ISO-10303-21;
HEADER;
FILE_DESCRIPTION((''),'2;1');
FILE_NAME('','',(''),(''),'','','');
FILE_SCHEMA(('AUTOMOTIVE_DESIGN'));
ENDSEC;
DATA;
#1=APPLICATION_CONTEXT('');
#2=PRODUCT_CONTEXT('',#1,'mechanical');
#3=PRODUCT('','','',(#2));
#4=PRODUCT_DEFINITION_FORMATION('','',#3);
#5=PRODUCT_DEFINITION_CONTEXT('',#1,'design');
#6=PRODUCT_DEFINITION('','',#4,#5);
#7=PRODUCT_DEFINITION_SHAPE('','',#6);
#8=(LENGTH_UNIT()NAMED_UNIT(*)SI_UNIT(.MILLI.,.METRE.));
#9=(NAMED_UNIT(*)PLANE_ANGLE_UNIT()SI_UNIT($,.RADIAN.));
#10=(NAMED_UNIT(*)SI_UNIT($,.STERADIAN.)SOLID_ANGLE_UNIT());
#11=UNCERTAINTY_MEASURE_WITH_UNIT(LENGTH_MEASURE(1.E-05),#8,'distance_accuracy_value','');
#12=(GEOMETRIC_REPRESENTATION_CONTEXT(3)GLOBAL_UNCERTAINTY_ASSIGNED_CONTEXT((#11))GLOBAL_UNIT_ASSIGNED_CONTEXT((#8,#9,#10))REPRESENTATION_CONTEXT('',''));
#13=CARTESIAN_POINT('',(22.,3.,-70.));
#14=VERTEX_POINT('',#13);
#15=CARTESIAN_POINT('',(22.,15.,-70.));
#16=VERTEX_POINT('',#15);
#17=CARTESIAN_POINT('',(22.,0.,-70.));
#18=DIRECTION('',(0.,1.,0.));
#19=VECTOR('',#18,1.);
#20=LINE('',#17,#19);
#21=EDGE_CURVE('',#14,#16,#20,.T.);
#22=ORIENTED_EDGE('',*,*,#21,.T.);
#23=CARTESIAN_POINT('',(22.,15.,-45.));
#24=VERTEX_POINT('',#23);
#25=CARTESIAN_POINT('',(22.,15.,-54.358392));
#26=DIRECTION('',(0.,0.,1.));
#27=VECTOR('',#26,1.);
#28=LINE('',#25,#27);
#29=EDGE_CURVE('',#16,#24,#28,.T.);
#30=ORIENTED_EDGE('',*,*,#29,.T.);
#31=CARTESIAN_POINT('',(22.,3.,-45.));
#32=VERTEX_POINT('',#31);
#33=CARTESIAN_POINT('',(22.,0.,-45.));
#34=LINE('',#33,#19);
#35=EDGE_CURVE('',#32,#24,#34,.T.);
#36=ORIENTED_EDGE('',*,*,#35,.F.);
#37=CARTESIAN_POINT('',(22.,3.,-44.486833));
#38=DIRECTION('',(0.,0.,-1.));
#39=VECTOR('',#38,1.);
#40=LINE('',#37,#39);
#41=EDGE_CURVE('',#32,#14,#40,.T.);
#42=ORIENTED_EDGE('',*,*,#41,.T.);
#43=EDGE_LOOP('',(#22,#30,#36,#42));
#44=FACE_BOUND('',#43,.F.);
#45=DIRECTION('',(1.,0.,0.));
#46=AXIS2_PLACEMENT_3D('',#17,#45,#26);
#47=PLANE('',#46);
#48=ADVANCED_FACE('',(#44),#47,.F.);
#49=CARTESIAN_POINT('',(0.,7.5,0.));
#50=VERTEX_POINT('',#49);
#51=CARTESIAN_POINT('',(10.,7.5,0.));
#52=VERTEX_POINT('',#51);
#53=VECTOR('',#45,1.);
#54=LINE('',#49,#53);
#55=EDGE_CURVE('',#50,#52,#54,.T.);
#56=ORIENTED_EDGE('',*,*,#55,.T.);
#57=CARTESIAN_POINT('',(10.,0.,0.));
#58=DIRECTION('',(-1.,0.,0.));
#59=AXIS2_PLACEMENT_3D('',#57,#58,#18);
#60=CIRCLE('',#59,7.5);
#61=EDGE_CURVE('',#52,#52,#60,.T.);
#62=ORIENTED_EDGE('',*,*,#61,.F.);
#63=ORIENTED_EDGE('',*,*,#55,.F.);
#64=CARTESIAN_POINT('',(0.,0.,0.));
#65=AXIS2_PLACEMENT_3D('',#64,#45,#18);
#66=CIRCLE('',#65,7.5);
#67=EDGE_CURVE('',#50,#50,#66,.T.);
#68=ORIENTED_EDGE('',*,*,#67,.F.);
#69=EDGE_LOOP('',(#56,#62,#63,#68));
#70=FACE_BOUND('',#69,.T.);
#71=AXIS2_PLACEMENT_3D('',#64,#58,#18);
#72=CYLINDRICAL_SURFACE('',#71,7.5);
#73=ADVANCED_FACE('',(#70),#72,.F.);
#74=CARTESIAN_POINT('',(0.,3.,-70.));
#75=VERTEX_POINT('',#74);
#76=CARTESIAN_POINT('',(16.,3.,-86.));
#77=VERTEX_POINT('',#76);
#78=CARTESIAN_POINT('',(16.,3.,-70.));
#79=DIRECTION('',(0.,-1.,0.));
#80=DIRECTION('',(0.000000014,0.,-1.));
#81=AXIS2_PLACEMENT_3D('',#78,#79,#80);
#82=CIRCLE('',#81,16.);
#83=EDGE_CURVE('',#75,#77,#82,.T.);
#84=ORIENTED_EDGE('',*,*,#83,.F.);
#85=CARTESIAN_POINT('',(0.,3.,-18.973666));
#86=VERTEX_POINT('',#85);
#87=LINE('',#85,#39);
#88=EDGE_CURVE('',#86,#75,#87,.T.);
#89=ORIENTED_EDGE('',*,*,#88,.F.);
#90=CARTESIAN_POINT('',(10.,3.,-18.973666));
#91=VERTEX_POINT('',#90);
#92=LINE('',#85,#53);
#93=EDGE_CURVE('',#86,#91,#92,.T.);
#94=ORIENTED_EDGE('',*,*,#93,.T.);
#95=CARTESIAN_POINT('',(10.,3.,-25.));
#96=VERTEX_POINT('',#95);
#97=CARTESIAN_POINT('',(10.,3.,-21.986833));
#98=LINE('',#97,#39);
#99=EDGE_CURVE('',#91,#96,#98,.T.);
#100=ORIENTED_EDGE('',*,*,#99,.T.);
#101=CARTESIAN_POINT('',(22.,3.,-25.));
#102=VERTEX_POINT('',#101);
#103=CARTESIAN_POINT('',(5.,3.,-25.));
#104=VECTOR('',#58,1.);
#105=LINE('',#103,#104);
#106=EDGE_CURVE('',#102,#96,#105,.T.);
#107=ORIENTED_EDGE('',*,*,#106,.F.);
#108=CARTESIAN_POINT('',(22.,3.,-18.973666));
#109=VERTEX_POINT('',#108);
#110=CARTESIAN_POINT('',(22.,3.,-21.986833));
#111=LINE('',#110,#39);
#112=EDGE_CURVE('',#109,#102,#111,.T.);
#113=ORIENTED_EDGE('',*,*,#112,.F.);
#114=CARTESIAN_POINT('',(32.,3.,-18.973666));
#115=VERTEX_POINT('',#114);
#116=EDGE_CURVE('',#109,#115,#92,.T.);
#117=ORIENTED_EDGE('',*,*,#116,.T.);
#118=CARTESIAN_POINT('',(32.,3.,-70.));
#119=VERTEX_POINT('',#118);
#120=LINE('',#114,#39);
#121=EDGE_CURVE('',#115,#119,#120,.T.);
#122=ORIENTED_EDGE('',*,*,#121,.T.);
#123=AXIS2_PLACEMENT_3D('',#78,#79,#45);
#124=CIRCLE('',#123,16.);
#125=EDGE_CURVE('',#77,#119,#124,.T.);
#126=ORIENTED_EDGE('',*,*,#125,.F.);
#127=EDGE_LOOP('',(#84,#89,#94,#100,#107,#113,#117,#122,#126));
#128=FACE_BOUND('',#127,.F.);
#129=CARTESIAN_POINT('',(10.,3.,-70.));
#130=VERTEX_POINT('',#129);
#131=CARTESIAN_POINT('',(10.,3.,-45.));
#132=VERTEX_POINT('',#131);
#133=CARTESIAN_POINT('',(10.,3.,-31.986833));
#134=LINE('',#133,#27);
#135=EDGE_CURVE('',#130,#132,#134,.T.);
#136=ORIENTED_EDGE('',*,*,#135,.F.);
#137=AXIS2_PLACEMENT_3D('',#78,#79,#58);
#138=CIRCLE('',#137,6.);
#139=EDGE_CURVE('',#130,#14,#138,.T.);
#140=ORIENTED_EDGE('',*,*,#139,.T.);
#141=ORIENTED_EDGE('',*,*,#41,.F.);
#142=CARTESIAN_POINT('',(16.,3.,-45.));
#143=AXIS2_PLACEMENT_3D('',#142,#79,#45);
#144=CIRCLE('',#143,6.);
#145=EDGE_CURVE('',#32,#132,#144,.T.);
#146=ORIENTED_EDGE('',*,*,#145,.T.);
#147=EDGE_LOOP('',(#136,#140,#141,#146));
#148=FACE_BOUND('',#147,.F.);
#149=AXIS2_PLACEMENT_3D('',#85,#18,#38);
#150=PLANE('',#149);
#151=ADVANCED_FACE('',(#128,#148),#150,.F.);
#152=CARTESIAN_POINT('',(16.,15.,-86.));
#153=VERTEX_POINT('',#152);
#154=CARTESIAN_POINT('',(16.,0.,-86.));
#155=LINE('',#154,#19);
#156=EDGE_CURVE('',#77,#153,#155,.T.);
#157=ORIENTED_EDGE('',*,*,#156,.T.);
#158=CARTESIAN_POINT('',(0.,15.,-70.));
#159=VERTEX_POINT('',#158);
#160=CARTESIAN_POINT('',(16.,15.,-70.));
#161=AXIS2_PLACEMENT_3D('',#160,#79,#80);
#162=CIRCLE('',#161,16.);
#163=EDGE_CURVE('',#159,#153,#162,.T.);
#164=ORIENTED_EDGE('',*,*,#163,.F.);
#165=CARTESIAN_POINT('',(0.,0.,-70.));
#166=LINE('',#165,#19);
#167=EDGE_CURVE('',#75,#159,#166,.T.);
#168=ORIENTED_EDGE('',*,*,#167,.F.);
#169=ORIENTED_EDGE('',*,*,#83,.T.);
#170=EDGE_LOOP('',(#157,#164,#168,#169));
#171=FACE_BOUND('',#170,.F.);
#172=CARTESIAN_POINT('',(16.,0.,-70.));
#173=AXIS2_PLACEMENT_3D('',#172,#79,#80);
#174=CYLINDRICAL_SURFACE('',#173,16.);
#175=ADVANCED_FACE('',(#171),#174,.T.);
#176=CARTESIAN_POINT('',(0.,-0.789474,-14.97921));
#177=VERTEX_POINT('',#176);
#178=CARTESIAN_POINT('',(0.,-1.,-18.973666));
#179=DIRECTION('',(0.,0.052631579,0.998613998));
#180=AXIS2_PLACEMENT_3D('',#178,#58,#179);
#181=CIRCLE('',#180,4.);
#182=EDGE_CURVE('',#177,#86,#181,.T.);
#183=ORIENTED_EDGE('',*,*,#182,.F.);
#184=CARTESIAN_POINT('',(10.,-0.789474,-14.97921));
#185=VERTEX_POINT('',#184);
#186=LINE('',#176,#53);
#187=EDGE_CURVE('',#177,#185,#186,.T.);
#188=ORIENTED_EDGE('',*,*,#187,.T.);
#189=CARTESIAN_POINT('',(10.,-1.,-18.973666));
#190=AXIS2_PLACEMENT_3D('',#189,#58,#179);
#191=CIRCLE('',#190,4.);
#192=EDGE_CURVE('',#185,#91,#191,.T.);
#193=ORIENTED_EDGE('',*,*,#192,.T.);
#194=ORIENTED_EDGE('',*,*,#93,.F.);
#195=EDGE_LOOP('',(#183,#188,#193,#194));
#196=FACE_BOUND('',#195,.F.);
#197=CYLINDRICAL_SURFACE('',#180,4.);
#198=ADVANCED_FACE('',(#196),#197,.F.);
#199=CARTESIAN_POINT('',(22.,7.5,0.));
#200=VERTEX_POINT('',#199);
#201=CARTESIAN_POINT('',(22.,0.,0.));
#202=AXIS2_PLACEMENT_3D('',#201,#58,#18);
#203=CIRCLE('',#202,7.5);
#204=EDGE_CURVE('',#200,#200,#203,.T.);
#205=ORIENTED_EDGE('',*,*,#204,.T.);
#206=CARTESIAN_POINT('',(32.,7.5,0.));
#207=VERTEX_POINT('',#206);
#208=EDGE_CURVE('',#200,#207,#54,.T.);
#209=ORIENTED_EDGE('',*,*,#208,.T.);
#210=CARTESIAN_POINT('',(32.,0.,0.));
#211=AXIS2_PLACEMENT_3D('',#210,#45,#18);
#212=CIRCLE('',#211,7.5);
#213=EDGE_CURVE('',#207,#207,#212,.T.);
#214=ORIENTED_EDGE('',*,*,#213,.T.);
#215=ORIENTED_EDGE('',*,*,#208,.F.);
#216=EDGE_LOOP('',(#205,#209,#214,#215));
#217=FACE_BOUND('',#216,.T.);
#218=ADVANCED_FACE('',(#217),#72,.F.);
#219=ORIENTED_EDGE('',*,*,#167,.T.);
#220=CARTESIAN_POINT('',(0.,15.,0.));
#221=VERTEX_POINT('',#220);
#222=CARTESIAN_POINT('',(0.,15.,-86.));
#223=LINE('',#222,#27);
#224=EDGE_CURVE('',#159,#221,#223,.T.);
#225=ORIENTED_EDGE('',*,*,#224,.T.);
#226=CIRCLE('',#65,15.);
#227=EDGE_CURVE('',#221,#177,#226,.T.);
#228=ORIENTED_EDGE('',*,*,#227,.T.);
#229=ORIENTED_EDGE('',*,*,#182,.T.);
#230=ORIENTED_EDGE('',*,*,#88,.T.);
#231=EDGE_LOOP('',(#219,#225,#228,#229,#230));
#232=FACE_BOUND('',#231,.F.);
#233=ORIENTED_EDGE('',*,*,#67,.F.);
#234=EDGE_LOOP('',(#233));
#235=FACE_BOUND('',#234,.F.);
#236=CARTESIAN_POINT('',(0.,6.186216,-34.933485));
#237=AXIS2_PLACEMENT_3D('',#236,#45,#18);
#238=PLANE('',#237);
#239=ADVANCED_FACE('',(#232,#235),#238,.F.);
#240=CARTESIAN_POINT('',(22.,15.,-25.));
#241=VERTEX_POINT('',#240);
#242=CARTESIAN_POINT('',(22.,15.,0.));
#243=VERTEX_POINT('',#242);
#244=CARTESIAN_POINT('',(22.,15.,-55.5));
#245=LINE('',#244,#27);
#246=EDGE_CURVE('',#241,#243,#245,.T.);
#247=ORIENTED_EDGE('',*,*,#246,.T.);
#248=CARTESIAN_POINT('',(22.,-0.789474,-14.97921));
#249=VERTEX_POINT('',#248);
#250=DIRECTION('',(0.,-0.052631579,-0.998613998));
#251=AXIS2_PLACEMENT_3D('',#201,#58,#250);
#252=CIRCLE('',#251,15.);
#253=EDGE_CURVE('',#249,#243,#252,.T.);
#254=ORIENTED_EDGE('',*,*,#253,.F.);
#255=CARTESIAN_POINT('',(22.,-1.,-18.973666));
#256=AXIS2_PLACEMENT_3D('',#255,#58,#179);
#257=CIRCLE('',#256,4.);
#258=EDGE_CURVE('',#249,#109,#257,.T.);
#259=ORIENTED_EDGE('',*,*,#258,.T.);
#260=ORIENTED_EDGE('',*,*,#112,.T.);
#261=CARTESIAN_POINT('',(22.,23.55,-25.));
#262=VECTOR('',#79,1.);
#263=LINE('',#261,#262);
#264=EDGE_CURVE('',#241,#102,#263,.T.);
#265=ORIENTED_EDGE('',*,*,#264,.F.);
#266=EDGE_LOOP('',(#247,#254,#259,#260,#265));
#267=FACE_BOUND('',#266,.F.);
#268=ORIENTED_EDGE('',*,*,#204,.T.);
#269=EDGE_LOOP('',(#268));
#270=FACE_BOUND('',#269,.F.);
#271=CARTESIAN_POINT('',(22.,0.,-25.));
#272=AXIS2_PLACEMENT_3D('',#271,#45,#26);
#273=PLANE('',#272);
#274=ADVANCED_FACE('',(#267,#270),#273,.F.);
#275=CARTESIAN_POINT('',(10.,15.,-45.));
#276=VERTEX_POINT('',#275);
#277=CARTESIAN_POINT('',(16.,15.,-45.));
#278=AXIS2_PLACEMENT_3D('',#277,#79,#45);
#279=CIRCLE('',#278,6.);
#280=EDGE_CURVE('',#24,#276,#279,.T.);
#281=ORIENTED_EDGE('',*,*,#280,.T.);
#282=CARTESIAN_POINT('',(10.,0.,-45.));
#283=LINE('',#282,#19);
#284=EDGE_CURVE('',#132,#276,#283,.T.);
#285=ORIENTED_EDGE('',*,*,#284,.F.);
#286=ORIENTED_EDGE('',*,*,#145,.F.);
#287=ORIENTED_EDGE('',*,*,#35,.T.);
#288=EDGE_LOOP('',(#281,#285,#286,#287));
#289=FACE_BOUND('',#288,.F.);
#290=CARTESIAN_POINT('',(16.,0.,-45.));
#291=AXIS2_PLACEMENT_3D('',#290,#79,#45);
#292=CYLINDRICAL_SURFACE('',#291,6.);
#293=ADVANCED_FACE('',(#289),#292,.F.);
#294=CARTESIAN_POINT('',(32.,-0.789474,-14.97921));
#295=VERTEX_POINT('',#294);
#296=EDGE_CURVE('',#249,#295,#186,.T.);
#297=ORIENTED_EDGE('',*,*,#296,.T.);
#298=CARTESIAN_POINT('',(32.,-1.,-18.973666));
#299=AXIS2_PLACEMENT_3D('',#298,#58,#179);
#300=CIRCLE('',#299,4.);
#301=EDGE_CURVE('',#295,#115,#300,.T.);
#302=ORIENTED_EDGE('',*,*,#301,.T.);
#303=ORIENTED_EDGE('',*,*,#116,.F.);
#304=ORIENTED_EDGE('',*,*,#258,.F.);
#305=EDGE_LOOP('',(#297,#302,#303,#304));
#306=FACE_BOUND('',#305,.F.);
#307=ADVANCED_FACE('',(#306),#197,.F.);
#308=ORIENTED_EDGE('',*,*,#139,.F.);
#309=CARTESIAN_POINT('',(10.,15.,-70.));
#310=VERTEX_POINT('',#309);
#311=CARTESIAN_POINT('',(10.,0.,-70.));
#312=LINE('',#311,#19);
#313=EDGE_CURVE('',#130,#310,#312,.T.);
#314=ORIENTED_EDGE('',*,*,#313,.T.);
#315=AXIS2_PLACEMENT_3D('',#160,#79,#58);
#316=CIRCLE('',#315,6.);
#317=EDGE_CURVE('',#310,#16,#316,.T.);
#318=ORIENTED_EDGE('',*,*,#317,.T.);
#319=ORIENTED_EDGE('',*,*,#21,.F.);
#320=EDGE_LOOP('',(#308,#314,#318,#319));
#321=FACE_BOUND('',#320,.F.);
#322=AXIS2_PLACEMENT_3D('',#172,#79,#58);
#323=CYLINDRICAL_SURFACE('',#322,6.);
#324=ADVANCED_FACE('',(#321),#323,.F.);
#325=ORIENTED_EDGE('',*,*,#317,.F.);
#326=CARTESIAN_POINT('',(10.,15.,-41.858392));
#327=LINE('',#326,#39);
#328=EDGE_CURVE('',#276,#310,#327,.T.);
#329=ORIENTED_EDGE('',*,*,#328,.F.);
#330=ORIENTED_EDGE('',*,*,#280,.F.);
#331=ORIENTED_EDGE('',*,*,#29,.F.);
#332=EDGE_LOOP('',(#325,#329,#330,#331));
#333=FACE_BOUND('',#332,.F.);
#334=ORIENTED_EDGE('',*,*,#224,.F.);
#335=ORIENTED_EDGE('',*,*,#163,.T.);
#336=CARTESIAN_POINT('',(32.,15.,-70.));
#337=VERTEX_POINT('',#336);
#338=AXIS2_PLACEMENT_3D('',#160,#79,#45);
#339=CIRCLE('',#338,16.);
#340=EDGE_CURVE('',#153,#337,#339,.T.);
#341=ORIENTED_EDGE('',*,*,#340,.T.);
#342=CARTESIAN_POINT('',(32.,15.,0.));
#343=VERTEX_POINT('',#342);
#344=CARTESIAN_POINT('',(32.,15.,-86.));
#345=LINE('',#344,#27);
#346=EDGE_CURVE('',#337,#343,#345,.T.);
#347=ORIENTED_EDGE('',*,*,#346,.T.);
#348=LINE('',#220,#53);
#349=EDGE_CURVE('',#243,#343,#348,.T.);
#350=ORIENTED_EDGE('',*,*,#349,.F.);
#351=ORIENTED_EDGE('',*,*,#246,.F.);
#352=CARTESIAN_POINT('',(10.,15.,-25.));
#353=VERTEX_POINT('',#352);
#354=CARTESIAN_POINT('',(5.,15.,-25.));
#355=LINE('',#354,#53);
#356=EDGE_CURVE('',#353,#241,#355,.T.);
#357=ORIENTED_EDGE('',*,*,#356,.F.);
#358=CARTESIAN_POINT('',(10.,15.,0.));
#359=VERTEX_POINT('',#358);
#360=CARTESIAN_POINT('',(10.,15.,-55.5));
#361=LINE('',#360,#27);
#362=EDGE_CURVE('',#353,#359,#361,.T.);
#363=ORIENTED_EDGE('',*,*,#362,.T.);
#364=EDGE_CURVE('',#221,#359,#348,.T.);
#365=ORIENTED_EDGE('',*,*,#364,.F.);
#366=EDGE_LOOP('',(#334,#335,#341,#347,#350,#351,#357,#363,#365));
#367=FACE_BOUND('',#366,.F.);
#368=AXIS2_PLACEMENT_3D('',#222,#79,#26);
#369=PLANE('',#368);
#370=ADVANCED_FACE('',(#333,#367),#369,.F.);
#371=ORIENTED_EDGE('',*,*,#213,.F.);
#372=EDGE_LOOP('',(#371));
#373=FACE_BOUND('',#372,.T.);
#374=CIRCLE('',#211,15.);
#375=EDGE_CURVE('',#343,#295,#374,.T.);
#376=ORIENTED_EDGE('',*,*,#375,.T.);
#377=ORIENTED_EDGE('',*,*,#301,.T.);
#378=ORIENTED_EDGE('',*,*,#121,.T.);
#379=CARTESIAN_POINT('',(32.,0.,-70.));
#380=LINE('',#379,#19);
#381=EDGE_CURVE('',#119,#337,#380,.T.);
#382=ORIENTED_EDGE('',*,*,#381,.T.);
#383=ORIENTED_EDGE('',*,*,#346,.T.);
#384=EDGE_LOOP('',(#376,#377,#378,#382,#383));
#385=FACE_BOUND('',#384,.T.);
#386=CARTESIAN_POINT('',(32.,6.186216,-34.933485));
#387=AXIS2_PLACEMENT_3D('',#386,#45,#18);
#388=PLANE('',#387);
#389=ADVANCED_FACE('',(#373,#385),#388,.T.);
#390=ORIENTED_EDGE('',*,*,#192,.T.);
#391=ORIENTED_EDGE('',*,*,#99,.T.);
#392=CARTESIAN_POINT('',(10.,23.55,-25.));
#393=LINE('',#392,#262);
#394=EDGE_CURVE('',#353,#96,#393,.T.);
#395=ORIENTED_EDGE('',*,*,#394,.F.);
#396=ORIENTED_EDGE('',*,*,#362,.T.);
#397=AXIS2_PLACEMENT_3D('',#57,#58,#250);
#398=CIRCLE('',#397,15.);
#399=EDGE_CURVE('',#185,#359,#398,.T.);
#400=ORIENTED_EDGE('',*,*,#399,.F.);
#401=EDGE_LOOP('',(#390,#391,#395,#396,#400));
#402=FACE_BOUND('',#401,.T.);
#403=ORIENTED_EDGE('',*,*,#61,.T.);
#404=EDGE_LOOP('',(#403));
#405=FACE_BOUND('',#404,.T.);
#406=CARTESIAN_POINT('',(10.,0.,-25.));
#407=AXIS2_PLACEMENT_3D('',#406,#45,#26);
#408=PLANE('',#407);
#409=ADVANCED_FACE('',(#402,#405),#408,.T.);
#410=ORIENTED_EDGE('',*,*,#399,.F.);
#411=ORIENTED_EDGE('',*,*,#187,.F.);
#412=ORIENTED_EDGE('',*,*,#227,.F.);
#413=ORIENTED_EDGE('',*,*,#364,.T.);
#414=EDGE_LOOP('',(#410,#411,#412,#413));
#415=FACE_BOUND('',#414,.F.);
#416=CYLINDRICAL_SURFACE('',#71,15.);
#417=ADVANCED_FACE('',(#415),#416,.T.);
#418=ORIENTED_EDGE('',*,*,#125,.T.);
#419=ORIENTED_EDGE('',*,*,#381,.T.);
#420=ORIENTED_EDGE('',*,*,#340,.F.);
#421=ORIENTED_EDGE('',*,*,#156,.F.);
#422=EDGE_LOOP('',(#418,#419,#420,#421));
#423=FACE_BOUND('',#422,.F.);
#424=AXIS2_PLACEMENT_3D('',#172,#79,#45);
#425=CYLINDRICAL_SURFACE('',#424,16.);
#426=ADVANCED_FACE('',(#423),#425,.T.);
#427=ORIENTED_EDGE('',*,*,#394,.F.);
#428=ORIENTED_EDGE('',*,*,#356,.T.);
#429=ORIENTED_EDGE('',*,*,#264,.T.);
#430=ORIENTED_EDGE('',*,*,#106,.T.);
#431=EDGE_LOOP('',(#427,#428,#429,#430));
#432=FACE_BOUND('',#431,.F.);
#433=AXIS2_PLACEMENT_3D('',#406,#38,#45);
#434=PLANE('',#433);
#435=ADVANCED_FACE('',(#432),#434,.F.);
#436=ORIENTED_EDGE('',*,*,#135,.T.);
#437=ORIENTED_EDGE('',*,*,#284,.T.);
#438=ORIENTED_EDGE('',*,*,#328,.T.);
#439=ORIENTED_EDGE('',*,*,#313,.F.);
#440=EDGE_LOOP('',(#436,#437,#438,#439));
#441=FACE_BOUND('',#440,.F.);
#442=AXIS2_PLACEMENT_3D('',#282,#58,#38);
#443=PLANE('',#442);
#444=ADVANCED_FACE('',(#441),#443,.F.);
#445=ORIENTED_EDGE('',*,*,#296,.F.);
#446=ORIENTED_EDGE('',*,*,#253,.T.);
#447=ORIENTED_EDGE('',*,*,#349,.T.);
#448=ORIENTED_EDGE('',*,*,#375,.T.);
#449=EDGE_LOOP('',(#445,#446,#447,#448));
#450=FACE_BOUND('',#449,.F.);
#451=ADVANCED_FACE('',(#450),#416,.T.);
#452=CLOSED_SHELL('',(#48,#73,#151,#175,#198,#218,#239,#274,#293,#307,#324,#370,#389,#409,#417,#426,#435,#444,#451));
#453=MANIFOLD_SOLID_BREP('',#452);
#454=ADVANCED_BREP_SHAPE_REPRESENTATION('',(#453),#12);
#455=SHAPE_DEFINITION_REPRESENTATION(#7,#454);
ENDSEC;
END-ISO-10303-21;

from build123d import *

# Parameters (mm, degrees)
F0_R     = 7.5
F1_DEPTH = 32
F2_W     = 12
F2_H     = 40
F3_DEPTH = 23.55
F5_DEPTH = 15.001


with BuildPart() as f1:
    # F0 (on Right) → F1 (new body)
    with BuildSketch(Plane.YZ):
        with BuildLine():
            Line((15, -86), (15, 0))
            ThreePointArc((15, 0), (-10.3237080242, 10.8821437517), (-0.7894736842, -14.9792099692))
            ThreePointArc((-0.7894736842, -14.9792099692), (1.9019050004, -16.2206771546), (3, -18.973665961))
            Line((3, -18.973665961), (3, -86))
            Line((3, -86), (15, -86))
        make_face()
        Circle(F0_R, mode=Mode.SUBTRACT)
    extrude(amount=F1_DEPTH)

    # F2 (on Front) → F3 (cut, symmetric)
    with BuildSketch(Plane.XZ):
        with Locations((16, -5)):
            Rectangle(F2_W, F2_H)
    extrude(amount=F3_DEPTH, both=True, mode=Mode.SUBTRACT)

    # F4 (on Front) + F1_face (on face) → F5 (cut, through all)
    with BuildSketch(Plane.XZ):
        with BuildLine():
            ThreePointArc((16.0000002313, -86), (4.6862915828, -81.3137085808), (0, -70))
            Line((0, -70), (0, -86))
            Line((0, -86), (16.0000002313, -86))
        make_face()
        with BuildLine():
            Line((22, -70), (22, -45))
            ThreePointArc((22, -45), (16, -39), (10, -45))
            Line((10, -45), (10, -70))
            ThreePointArc((10, -70), (16, -76), (22, -70))
        make_face()
        with BuildLine():
            ThreePointArc((32, -70), (27.3137085808, -81.3137084172), (16.0000002313, -86))
            Line((16.0000002313, -86), (32, -86))
            Line((32, -86), (32, -70))
        make_face()
    with BuildSketch(Plane(origin=(16, 15, -46.7316476346), x_dir=(-1, 0, 0), z_dir=(0, 1, 0))):
        Polygon((16, -39.2683523654), (16, 46.7316476346), (6, 46.7316476346), (6, 21.7316476346), (-6, 21.7316476346), (-6, 46.7316476346), (-16, 46.7316476346), (-16, -39.2683523654), align=None)
    extrude(amount=-F5_DEPTH, dir=(0, -1, 0), mode=Mode.SUBTRACT)


solid = f1.part
